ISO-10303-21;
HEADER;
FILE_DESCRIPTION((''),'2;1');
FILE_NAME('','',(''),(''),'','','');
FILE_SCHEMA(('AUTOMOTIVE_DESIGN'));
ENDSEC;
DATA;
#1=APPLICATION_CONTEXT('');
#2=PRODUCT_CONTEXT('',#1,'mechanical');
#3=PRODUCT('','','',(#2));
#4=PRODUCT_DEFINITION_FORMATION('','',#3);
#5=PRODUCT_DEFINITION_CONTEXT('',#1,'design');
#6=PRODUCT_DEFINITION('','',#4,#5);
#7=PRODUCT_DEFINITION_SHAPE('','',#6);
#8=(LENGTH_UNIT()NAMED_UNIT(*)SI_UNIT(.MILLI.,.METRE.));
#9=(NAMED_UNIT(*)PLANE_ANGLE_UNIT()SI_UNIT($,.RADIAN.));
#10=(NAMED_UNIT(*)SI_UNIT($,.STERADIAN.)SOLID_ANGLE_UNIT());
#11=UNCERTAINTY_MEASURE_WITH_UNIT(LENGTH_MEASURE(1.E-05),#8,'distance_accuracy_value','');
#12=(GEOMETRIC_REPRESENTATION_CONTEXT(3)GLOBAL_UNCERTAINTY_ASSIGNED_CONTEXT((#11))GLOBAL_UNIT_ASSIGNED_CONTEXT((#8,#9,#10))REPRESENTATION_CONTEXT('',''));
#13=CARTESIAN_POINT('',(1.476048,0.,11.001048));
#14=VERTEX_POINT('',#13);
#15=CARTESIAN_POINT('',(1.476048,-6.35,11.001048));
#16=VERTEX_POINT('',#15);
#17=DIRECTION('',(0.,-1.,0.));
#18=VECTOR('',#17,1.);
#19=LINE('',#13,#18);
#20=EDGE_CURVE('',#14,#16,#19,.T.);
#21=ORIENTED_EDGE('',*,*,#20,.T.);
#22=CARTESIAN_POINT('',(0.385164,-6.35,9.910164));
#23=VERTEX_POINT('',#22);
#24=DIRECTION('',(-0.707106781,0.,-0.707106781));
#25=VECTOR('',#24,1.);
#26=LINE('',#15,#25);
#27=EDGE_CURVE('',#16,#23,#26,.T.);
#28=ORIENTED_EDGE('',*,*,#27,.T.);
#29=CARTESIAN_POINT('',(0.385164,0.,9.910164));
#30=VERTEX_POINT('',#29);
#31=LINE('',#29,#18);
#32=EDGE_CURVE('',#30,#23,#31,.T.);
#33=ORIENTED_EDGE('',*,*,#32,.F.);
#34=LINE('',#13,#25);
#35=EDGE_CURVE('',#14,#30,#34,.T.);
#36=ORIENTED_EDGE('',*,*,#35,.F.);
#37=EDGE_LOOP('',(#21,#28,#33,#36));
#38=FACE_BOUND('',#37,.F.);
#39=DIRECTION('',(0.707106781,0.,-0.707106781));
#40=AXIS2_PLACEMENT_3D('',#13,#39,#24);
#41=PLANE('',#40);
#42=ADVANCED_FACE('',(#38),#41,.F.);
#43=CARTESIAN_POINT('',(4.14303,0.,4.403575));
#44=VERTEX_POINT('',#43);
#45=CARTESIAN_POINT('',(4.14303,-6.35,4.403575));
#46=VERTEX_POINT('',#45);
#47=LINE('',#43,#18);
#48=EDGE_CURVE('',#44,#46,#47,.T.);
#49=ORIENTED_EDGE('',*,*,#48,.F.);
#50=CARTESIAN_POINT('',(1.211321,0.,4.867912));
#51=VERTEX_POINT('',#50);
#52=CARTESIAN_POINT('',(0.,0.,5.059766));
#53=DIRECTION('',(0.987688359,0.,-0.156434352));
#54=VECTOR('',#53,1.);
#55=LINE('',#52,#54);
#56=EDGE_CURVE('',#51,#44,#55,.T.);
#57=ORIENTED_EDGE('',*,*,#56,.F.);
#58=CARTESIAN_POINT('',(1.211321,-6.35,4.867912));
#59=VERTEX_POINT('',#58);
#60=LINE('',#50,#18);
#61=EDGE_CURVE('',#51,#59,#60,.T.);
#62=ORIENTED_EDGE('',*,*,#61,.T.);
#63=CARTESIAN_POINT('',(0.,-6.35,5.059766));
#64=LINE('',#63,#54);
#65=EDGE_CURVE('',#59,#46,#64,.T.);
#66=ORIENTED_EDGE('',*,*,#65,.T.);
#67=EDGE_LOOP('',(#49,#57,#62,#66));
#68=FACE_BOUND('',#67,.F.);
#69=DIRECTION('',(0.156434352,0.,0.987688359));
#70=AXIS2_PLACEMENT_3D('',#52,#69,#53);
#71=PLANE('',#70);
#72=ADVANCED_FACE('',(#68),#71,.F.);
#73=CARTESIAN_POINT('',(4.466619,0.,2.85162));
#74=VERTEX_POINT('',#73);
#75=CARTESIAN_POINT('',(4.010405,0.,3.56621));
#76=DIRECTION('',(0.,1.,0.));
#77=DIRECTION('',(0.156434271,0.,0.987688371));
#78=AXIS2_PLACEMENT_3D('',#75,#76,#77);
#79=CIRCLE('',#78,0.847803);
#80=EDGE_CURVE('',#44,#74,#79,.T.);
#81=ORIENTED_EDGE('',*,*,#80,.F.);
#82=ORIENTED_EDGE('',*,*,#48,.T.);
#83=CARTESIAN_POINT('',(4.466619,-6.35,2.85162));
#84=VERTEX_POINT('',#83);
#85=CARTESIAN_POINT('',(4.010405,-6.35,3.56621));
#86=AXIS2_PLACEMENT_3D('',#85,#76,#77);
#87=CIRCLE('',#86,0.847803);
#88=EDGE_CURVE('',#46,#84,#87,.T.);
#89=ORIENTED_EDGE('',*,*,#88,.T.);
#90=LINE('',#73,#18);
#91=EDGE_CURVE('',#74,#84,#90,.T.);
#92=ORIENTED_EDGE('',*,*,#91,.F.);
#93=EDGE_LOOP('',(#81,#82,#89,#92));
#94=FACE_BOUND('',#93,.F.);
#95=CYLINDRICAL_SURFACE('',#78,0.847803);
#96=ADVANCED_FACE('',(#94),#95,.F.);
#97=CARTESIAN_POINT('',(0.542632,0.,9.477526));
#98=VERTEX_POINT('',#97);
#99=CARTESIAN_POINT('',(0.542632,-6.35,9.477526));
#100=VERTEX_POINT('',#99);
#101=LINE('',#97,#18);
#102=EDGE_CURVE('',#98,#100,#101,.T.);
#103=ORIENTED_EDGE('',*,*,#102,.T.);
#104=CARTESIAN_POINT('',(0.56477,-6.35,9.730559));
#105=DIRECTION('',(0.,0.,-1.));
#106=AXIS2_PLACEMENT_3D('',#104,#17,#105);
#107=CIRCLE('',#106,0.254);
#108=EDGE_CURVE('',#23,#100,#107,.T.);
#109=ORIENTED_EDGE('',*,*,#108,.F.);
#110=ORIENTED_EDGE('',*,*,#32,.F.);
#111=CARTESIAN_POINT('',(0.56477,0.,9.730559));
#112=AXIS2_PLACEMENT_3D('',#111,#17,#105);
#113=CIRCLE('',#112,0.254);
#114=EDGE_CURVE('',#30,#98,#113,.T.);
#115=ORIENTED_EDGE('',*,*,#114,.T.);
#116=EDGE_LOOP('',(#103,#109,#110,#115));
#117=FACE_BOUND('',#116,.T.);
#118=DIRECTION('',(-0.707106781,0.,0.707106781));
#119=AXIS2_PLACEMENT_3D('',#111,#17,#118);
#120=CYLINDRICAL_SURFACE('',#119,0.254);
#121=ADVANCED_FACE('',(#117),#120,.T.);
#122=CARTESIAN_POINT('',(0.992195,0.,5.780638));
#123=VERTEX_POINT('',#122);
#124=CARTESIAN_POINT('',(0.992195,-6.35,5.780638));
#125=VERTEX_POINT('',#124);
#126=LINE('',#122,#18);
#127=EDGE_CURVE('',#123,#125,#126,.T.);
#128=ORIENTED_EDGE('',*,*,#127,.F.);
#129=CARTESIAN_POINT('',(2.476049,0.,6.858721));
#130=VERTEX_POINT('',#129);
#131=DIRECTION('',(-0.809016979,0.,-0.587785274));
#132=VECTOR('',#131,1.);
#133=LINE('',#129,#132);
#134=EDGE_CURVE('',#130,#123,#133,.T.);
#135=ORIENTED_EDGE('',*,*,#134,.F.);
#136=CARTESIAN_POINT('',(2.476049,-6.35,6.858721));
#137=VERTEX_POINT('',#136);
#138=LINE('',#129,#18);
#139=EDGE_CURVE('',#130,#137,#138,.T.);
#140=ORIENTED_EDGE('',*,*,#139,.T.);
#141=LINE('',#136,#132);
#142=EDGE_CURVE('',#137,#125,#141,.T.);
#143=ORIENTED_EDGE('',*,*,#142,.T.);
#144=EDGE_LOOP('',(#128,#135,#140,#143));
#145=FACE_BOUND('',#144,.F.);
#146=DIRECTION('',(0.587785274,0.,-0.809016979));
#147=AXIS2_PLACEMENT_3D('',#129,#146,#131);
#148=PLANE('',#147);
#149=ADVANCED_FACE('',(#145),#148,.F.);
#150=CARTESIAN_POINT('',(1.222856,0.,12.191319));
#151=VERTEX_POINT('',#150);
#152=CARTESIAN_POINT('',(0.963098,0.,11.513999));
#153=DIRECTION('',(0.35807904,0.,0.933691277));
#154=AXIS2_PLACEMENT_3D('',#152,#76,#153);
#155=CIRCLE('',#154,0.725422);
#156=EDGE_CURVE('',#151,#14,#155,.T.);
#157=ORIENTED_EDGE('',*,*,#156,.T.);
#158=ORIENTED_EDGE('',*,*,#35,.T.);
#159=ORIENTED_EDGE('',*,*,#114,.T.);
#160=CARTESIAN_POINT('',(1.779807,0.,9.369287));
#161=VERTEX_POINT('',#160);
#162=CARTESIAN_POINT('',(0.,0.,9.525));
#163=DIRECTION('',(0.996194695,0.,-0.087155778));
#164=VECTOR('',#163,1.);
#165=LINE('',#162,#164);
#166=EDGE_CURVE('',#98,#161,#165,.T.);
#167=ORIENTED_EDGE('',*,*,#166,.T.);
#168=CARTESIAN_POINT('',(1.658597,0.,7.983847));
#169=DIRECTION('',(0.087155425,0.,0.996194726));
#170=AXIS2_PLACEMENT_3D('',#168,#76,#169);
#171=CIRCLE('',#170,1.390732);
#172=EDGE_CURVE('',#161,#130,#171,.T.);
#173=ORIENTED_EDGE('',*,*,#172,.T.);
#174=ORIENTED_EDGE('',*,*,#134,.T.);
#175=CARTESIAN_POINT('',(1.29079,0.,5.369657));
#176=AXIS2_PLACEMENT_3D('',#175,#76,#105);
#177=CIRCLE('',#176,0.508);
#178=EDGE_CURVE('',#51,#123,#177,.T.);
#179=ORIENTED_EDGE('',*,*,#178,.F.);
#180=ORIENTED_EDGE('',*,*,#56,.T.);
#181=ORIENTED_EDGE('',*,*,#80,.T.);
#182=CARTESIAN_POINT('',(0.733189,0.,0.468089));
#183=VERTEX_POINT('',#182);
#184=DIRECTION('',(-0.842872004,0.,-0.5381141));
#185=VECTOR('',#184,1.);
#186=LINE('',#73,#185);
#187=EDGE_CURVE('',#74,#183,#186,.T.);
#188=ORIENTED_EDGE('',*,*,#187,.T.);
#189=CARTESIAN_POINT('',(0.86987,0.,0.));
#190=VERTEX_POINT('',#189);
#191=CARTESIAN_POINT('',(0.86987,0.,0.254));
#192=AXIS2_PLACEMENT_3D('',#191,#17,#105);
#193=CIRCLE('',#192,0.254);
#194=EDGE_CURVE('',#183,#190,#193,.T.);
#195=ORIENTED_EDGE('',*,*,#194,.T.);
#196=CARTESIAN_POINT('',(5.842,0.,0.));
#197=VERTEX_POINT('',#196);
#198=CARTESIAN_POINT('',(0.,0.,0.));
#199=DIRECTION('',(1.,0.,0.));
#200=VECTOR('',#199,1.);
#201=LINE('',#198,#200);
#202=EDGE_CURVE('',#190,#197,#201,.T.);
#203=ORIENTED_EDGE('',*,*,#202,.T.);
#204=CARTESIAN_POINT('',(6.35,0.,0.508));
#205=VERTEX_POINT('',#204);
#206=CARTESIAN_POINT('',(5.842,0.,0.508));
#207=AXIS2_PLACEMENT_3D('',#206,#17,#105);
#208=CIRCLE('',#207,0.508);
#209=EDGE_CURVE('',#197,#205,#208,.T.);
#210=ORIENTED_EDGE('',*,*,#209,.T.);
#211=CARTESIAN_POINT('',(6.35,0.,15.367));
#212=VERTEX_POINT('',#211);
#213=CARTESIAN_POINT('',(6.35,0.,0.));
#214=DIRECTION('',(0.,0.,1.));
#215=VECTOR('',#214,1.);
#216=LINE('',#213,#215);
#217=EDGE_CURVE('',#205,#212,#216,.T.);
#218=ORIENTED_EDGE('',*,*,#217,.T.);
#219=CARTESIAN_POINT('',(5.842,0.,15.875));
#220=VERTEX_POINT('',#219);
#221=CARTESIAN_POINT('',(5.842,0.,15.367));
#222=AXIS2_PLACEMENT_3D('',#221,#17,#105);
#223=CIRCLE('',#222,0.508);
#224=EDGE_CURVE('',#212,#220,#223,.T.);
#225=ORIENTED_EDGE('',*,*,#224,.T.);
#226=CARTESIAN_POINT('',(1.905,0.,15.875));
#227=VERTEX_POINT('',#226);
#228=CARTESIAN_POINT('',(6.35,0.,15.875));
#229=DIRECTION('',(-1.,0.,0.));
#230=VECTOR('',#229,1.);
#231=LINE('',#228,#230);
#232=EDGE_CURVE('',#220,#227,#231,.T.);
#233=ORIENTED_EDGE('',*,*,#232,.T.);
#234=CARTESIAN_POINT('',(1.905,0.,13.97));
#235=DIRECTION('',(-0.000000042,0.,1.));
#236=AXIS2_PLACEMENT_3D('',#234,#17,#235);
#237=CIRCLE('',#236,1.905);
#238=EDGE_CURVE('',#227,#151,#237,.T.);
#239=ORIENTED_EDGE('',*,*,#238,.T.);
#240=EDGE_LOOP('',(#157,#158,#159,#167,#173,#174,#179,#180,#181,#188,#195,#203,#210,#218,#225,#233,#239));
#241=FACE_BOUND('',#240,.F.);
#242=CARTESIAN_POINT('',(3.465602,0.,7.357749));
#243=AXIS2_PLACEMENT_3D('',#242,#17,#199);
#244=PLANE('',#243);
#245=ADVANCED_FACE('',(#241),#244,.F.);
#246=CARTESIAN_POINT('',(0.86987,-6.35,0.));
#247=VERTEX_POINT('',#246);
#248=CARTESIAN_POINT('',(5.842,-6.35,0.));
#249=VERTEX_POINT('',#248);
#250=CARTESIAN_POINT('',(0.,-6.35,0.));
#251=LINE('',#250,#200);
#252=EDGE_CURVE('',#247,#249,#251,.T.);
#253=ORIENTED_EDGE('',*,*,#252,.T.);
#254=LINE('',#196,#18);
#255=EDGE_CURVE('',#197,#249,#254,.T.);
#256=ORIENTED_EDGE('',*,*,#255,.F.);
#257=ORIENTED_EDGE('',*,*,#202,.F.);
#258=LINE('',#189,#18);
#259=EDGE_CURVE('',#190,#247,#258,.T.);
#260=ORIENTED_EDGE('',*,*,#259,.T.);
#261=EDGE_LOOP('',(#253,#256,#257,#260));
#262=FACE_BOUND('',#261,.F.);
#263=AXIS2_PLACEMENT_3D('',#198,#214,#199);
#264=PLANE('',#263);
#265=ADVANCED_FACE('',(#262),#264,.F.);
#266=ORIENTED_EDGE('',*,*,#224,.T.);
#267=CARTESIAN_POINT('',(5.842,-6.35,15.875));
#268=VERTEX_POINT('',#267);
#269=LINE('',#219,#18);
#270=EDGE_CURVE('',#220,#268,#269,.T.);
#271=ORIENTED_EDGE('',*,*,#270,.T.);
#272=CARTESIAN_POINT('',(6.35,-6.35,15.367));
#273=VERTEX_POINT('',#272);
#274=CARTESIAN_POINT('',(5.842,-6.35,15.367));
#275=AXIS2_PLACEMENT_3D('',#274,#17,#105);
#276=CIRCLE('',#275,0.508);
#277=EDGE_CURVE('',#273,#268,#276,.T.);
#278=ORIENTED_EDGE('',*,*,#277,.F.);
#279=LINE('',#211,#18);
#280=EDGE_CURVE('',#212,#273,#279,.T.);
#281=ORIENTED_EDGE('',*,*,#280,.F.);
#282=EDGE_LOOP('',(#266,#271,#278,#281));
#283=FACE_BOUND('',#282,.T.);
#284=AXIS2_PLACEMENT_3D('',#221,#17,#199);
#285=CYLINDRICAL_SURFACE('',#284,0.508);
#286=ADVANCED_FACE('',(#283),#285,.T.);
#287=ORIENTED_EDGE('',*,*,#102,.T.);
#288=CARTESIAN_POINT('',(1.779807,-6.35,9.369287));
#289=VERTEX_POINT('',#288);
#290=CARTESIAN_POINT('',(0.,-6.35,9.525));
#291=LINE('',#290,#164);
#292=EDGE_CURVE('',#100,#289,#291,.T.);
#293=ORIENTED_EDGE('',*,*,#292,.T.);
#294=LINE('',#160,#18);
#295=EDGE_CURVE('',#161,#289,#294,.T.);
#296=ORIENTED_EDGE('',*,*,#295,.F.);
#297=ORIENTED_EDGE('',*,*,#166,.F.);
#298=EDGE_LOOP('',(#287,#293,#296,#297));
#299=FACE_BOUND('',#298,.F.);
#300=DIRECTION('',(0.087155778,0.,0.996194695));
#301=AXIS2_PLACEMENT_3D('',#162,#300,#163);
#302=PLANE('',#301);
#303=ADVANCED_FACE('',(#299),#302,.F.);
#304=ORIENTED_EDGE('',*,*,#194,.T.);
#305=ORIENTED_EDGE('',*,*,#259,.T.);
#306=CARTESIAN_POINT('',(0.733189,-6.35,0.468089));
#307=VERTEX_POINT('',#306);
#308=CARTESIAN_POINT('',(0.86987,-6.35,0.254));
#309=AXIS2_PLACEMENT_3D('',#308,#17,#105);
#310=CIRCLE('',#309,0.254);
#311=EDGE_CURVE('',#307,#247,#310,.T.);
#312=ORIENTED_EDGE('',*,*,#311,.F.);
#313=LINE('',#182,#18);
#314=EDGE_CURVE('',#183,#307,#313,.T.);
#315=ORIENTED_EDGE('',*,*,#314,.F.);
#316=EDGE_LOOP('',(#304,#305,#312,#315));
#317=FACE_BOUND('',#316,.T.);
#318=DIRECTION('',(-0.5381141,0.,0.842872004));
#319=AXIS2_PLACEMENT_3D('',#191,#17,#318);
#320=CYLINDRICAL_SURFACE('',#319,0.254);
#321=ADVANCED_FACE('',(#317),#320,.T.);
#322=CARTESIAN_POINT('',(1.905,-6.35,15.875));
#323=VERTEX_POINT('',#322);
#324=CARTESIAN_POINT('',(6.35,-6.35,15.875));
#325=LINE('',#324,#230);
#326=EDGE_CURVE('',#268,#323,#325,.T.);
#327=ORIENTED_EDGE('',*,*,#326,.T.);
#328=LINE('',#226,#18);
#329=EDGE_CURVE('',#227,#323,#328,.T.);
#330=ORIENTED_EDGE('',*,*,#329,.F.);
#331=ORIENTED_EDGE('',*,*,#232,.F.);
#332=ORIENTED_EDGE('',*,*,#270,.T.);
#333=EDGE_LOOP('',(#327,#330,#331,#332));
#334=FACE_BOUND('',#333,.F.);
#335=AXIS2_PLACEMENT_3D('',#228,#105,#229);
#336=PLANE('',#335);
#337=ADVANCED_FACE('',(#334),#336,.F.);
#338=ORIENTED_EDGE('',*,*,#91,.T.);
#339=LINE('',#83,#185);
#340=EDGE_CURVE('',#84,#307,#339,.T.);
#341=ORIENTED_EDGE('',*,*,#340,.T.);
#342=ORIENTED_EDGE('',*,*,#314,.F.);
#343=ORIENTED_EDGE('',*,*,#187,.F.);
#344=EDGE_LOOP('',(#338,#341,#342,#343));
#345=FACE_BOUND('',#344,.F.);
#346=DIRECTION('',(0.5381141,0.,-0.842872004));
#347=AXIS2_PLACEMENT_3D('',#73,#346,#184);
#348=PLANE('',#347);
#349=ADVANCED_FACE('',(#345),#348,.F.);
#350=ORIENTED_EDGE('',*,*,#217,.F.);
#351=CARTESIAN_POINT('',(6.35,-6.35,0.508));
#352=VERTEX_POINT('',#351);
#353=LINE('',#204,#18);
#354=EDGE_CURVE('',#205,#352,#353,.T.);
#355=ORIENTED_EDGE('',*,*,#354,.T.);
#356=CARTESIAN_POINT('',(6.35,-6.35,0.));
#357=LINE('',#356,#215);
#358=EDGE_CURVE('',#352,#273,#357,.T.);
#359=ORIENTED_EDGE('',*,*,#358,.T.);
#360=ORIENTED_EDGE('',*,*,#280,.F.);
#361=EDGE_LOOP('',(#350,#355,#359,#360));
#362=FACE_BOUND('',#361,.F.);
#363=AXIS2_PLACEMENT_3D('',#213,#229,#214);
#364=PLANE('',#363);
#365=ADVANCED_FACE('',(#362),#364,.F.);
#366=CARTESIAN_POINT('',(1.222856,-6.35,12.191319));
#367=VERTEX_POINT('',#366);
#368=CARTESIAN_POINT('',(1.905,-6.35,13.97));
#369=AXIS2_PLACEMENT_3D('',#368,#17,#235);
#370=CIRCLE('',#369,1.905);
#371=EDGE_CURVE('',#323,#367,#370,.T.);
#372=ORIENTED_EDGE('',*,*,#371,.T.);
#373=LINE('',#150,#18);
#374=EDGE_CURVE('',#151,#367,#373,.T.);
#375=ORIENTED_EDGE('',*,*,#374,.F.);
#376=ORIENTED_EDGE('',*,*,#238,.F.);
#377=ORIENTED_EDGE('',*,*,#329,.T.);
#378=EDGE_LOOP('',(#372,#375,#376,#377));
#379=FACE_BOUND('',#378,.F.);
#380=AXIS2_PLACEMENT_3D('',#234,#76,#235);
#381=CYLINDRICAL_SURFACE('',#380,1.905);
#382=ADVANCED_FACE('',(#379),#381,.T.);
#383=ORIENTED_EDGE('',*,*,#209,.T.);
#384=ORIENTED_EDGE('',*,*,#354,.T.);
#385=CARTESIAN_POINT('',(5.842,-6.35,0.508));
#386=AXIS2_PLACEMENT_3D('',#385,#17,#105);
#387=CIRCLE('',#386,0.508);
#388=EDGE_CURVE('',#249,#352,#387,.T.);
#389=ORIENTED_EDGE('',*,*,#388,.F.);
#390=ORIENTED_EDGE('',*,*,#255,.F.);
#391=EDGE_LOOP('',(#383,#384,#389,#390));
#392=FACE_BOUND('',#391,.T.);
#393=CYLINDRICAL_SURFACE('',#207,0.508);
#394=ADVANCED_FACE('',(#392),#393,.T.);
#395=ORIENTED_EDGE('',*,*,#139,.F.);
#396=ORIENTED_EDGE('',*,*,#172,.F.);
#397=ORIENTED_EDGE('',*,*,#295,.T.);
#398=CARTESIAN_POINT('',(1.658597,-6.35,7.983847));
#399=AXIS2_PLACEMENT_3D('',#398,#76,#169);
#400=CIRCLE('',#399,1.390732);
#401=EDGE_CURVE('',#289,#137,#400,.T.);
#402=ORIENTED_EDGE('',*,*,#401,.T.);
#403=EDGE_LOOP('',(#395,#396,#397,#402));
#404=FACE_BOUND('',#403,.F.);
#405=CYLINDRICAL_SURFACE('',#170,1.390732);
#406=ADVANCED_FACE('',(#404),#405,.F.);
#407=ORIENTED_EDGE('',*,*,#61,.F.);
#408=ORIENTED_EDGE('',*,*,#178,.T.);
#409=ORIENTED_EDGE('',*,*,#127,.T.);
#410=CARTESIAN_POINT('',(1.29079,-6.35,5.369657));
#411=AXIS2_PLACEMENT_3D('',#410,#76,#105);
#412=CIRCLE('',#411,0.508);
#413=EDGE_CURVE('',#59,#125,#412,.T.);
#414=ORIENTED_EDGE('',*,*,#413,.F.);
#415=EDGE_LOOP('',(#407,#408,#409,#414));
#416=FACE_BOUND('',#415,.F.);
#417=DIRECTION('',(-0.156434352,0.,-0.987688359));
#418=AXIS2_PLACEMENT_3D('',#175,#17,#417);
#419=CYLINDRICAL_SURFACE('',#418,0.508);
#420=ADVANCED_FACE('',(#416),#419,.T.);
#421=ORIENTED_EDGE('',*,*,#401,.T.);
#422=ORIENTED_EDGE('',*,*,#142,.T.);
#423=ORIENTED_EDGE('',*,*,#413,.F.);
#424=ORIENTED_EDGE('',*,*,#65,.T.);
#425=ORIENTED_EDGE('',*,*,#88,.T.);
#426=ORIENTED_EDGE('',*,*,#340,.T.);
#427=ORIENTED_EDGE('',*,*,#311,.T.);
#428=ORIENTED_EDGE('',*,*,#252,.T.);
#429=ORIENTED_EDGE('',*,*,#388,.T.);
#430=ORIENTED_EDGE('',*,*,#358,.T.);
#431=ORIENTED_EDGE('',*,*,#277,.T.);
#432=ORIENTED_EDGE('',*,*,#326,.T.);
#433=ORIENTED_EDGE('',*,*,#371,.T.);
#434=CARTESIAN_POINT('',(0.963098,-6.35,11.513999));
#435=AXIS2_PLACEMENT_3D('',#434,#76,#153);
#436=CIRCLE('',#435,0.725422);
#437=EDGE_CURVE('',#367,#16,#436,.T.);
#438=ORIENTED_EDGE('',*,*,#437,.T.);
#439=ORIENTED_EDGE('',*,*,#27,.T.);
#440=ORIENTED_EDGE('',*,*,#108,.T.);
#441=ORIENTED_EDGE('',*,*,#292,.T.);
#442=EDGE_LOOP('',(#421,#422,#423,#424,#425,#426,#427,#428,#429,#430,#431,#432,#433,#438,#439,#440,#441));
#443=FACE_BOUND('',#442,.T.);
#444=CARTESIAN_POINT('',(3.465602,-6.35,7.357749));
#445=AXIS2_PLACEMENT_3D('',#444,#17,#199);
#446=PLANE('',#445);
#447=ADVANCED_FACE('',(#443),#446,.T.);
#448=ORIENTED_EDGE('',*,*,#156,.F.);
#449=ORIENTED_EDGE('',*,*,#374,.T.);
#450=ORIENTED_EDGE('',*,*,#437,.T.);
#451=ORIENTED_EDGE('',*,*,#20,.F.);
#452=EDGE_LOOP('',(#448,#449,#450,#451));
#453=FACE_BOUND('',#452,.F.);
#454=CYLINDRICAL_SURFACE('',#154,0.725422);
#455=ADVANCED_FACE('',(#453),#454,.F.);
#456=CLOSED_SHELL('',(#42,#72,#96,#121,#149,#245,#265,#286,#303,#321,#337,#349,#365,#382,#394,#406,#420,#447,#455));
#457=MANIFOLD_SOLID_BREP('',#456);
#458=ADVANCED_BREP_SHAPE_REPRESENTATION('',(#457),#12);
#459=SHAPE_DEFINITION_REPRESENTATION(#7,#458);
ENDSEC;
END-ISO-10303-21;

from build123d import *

# Parameters (mm, degrees)
F1_DEPTH = 6.35
F2_R     = 0.254
F3_R     = 0.508


with BuildPart() as f1:
    # F0 (on Front) → F1 (new body)
    with BuildSketch(Plane.XZ):
        with BuildLine():
            Line((4.466619, 2.85162), (0, 0))
            Line((0, 0), (6.35, 0))
            Line((6.35, 0), (6.35, 15.875))
            Line((6.35, 15.875), (1.905, 15.875))
            ThreePointArc((1.905, 15.875), (0.031846, 14.316871), (1.222856, 12.191319))
            ThreePointArc((1.222856, 12.191319), (1.672644, 11.664932), (1.476048, 11.001048))
            Line((1.476048, 11.001048), (0, 9.525))
            Line((0, 9.525), (1.779807, 9.369287))
            ThreePointArc((1.779807, 9.369287), (2.998749, 8.355504), (2.476049, 6.858721))
            Line((2.476049, 6.858721), (0, 5.059766))
            Line((0, 5.059766), (4.14303, 4.403575))
            ThreePointArc((4.14303, 4.403575), (4.840359, 3.739258), (4.466619, 2.85162))
        make_face()
    extrude(amount=F1_DEPTH)

    # F2
    f2_edges = [f1.edges().sort_by_distance(p)[0] for p in [
        (0, -3.175, 0),
        (0, -3.175, 9.525),
    ]]
    fillet(f2_edges, radius=F2_R)

    # F3
    f3_edges = [f1.edges().sort_by_distance(p)[0] for p in [
        (6.35, -3.175, 0),
        (6.35, -3.175, 15.875),
        (0, -3.175, 5.059766),
    ]]
    fillet(f3_edges, radius=F3_R)


solid = f1.part
